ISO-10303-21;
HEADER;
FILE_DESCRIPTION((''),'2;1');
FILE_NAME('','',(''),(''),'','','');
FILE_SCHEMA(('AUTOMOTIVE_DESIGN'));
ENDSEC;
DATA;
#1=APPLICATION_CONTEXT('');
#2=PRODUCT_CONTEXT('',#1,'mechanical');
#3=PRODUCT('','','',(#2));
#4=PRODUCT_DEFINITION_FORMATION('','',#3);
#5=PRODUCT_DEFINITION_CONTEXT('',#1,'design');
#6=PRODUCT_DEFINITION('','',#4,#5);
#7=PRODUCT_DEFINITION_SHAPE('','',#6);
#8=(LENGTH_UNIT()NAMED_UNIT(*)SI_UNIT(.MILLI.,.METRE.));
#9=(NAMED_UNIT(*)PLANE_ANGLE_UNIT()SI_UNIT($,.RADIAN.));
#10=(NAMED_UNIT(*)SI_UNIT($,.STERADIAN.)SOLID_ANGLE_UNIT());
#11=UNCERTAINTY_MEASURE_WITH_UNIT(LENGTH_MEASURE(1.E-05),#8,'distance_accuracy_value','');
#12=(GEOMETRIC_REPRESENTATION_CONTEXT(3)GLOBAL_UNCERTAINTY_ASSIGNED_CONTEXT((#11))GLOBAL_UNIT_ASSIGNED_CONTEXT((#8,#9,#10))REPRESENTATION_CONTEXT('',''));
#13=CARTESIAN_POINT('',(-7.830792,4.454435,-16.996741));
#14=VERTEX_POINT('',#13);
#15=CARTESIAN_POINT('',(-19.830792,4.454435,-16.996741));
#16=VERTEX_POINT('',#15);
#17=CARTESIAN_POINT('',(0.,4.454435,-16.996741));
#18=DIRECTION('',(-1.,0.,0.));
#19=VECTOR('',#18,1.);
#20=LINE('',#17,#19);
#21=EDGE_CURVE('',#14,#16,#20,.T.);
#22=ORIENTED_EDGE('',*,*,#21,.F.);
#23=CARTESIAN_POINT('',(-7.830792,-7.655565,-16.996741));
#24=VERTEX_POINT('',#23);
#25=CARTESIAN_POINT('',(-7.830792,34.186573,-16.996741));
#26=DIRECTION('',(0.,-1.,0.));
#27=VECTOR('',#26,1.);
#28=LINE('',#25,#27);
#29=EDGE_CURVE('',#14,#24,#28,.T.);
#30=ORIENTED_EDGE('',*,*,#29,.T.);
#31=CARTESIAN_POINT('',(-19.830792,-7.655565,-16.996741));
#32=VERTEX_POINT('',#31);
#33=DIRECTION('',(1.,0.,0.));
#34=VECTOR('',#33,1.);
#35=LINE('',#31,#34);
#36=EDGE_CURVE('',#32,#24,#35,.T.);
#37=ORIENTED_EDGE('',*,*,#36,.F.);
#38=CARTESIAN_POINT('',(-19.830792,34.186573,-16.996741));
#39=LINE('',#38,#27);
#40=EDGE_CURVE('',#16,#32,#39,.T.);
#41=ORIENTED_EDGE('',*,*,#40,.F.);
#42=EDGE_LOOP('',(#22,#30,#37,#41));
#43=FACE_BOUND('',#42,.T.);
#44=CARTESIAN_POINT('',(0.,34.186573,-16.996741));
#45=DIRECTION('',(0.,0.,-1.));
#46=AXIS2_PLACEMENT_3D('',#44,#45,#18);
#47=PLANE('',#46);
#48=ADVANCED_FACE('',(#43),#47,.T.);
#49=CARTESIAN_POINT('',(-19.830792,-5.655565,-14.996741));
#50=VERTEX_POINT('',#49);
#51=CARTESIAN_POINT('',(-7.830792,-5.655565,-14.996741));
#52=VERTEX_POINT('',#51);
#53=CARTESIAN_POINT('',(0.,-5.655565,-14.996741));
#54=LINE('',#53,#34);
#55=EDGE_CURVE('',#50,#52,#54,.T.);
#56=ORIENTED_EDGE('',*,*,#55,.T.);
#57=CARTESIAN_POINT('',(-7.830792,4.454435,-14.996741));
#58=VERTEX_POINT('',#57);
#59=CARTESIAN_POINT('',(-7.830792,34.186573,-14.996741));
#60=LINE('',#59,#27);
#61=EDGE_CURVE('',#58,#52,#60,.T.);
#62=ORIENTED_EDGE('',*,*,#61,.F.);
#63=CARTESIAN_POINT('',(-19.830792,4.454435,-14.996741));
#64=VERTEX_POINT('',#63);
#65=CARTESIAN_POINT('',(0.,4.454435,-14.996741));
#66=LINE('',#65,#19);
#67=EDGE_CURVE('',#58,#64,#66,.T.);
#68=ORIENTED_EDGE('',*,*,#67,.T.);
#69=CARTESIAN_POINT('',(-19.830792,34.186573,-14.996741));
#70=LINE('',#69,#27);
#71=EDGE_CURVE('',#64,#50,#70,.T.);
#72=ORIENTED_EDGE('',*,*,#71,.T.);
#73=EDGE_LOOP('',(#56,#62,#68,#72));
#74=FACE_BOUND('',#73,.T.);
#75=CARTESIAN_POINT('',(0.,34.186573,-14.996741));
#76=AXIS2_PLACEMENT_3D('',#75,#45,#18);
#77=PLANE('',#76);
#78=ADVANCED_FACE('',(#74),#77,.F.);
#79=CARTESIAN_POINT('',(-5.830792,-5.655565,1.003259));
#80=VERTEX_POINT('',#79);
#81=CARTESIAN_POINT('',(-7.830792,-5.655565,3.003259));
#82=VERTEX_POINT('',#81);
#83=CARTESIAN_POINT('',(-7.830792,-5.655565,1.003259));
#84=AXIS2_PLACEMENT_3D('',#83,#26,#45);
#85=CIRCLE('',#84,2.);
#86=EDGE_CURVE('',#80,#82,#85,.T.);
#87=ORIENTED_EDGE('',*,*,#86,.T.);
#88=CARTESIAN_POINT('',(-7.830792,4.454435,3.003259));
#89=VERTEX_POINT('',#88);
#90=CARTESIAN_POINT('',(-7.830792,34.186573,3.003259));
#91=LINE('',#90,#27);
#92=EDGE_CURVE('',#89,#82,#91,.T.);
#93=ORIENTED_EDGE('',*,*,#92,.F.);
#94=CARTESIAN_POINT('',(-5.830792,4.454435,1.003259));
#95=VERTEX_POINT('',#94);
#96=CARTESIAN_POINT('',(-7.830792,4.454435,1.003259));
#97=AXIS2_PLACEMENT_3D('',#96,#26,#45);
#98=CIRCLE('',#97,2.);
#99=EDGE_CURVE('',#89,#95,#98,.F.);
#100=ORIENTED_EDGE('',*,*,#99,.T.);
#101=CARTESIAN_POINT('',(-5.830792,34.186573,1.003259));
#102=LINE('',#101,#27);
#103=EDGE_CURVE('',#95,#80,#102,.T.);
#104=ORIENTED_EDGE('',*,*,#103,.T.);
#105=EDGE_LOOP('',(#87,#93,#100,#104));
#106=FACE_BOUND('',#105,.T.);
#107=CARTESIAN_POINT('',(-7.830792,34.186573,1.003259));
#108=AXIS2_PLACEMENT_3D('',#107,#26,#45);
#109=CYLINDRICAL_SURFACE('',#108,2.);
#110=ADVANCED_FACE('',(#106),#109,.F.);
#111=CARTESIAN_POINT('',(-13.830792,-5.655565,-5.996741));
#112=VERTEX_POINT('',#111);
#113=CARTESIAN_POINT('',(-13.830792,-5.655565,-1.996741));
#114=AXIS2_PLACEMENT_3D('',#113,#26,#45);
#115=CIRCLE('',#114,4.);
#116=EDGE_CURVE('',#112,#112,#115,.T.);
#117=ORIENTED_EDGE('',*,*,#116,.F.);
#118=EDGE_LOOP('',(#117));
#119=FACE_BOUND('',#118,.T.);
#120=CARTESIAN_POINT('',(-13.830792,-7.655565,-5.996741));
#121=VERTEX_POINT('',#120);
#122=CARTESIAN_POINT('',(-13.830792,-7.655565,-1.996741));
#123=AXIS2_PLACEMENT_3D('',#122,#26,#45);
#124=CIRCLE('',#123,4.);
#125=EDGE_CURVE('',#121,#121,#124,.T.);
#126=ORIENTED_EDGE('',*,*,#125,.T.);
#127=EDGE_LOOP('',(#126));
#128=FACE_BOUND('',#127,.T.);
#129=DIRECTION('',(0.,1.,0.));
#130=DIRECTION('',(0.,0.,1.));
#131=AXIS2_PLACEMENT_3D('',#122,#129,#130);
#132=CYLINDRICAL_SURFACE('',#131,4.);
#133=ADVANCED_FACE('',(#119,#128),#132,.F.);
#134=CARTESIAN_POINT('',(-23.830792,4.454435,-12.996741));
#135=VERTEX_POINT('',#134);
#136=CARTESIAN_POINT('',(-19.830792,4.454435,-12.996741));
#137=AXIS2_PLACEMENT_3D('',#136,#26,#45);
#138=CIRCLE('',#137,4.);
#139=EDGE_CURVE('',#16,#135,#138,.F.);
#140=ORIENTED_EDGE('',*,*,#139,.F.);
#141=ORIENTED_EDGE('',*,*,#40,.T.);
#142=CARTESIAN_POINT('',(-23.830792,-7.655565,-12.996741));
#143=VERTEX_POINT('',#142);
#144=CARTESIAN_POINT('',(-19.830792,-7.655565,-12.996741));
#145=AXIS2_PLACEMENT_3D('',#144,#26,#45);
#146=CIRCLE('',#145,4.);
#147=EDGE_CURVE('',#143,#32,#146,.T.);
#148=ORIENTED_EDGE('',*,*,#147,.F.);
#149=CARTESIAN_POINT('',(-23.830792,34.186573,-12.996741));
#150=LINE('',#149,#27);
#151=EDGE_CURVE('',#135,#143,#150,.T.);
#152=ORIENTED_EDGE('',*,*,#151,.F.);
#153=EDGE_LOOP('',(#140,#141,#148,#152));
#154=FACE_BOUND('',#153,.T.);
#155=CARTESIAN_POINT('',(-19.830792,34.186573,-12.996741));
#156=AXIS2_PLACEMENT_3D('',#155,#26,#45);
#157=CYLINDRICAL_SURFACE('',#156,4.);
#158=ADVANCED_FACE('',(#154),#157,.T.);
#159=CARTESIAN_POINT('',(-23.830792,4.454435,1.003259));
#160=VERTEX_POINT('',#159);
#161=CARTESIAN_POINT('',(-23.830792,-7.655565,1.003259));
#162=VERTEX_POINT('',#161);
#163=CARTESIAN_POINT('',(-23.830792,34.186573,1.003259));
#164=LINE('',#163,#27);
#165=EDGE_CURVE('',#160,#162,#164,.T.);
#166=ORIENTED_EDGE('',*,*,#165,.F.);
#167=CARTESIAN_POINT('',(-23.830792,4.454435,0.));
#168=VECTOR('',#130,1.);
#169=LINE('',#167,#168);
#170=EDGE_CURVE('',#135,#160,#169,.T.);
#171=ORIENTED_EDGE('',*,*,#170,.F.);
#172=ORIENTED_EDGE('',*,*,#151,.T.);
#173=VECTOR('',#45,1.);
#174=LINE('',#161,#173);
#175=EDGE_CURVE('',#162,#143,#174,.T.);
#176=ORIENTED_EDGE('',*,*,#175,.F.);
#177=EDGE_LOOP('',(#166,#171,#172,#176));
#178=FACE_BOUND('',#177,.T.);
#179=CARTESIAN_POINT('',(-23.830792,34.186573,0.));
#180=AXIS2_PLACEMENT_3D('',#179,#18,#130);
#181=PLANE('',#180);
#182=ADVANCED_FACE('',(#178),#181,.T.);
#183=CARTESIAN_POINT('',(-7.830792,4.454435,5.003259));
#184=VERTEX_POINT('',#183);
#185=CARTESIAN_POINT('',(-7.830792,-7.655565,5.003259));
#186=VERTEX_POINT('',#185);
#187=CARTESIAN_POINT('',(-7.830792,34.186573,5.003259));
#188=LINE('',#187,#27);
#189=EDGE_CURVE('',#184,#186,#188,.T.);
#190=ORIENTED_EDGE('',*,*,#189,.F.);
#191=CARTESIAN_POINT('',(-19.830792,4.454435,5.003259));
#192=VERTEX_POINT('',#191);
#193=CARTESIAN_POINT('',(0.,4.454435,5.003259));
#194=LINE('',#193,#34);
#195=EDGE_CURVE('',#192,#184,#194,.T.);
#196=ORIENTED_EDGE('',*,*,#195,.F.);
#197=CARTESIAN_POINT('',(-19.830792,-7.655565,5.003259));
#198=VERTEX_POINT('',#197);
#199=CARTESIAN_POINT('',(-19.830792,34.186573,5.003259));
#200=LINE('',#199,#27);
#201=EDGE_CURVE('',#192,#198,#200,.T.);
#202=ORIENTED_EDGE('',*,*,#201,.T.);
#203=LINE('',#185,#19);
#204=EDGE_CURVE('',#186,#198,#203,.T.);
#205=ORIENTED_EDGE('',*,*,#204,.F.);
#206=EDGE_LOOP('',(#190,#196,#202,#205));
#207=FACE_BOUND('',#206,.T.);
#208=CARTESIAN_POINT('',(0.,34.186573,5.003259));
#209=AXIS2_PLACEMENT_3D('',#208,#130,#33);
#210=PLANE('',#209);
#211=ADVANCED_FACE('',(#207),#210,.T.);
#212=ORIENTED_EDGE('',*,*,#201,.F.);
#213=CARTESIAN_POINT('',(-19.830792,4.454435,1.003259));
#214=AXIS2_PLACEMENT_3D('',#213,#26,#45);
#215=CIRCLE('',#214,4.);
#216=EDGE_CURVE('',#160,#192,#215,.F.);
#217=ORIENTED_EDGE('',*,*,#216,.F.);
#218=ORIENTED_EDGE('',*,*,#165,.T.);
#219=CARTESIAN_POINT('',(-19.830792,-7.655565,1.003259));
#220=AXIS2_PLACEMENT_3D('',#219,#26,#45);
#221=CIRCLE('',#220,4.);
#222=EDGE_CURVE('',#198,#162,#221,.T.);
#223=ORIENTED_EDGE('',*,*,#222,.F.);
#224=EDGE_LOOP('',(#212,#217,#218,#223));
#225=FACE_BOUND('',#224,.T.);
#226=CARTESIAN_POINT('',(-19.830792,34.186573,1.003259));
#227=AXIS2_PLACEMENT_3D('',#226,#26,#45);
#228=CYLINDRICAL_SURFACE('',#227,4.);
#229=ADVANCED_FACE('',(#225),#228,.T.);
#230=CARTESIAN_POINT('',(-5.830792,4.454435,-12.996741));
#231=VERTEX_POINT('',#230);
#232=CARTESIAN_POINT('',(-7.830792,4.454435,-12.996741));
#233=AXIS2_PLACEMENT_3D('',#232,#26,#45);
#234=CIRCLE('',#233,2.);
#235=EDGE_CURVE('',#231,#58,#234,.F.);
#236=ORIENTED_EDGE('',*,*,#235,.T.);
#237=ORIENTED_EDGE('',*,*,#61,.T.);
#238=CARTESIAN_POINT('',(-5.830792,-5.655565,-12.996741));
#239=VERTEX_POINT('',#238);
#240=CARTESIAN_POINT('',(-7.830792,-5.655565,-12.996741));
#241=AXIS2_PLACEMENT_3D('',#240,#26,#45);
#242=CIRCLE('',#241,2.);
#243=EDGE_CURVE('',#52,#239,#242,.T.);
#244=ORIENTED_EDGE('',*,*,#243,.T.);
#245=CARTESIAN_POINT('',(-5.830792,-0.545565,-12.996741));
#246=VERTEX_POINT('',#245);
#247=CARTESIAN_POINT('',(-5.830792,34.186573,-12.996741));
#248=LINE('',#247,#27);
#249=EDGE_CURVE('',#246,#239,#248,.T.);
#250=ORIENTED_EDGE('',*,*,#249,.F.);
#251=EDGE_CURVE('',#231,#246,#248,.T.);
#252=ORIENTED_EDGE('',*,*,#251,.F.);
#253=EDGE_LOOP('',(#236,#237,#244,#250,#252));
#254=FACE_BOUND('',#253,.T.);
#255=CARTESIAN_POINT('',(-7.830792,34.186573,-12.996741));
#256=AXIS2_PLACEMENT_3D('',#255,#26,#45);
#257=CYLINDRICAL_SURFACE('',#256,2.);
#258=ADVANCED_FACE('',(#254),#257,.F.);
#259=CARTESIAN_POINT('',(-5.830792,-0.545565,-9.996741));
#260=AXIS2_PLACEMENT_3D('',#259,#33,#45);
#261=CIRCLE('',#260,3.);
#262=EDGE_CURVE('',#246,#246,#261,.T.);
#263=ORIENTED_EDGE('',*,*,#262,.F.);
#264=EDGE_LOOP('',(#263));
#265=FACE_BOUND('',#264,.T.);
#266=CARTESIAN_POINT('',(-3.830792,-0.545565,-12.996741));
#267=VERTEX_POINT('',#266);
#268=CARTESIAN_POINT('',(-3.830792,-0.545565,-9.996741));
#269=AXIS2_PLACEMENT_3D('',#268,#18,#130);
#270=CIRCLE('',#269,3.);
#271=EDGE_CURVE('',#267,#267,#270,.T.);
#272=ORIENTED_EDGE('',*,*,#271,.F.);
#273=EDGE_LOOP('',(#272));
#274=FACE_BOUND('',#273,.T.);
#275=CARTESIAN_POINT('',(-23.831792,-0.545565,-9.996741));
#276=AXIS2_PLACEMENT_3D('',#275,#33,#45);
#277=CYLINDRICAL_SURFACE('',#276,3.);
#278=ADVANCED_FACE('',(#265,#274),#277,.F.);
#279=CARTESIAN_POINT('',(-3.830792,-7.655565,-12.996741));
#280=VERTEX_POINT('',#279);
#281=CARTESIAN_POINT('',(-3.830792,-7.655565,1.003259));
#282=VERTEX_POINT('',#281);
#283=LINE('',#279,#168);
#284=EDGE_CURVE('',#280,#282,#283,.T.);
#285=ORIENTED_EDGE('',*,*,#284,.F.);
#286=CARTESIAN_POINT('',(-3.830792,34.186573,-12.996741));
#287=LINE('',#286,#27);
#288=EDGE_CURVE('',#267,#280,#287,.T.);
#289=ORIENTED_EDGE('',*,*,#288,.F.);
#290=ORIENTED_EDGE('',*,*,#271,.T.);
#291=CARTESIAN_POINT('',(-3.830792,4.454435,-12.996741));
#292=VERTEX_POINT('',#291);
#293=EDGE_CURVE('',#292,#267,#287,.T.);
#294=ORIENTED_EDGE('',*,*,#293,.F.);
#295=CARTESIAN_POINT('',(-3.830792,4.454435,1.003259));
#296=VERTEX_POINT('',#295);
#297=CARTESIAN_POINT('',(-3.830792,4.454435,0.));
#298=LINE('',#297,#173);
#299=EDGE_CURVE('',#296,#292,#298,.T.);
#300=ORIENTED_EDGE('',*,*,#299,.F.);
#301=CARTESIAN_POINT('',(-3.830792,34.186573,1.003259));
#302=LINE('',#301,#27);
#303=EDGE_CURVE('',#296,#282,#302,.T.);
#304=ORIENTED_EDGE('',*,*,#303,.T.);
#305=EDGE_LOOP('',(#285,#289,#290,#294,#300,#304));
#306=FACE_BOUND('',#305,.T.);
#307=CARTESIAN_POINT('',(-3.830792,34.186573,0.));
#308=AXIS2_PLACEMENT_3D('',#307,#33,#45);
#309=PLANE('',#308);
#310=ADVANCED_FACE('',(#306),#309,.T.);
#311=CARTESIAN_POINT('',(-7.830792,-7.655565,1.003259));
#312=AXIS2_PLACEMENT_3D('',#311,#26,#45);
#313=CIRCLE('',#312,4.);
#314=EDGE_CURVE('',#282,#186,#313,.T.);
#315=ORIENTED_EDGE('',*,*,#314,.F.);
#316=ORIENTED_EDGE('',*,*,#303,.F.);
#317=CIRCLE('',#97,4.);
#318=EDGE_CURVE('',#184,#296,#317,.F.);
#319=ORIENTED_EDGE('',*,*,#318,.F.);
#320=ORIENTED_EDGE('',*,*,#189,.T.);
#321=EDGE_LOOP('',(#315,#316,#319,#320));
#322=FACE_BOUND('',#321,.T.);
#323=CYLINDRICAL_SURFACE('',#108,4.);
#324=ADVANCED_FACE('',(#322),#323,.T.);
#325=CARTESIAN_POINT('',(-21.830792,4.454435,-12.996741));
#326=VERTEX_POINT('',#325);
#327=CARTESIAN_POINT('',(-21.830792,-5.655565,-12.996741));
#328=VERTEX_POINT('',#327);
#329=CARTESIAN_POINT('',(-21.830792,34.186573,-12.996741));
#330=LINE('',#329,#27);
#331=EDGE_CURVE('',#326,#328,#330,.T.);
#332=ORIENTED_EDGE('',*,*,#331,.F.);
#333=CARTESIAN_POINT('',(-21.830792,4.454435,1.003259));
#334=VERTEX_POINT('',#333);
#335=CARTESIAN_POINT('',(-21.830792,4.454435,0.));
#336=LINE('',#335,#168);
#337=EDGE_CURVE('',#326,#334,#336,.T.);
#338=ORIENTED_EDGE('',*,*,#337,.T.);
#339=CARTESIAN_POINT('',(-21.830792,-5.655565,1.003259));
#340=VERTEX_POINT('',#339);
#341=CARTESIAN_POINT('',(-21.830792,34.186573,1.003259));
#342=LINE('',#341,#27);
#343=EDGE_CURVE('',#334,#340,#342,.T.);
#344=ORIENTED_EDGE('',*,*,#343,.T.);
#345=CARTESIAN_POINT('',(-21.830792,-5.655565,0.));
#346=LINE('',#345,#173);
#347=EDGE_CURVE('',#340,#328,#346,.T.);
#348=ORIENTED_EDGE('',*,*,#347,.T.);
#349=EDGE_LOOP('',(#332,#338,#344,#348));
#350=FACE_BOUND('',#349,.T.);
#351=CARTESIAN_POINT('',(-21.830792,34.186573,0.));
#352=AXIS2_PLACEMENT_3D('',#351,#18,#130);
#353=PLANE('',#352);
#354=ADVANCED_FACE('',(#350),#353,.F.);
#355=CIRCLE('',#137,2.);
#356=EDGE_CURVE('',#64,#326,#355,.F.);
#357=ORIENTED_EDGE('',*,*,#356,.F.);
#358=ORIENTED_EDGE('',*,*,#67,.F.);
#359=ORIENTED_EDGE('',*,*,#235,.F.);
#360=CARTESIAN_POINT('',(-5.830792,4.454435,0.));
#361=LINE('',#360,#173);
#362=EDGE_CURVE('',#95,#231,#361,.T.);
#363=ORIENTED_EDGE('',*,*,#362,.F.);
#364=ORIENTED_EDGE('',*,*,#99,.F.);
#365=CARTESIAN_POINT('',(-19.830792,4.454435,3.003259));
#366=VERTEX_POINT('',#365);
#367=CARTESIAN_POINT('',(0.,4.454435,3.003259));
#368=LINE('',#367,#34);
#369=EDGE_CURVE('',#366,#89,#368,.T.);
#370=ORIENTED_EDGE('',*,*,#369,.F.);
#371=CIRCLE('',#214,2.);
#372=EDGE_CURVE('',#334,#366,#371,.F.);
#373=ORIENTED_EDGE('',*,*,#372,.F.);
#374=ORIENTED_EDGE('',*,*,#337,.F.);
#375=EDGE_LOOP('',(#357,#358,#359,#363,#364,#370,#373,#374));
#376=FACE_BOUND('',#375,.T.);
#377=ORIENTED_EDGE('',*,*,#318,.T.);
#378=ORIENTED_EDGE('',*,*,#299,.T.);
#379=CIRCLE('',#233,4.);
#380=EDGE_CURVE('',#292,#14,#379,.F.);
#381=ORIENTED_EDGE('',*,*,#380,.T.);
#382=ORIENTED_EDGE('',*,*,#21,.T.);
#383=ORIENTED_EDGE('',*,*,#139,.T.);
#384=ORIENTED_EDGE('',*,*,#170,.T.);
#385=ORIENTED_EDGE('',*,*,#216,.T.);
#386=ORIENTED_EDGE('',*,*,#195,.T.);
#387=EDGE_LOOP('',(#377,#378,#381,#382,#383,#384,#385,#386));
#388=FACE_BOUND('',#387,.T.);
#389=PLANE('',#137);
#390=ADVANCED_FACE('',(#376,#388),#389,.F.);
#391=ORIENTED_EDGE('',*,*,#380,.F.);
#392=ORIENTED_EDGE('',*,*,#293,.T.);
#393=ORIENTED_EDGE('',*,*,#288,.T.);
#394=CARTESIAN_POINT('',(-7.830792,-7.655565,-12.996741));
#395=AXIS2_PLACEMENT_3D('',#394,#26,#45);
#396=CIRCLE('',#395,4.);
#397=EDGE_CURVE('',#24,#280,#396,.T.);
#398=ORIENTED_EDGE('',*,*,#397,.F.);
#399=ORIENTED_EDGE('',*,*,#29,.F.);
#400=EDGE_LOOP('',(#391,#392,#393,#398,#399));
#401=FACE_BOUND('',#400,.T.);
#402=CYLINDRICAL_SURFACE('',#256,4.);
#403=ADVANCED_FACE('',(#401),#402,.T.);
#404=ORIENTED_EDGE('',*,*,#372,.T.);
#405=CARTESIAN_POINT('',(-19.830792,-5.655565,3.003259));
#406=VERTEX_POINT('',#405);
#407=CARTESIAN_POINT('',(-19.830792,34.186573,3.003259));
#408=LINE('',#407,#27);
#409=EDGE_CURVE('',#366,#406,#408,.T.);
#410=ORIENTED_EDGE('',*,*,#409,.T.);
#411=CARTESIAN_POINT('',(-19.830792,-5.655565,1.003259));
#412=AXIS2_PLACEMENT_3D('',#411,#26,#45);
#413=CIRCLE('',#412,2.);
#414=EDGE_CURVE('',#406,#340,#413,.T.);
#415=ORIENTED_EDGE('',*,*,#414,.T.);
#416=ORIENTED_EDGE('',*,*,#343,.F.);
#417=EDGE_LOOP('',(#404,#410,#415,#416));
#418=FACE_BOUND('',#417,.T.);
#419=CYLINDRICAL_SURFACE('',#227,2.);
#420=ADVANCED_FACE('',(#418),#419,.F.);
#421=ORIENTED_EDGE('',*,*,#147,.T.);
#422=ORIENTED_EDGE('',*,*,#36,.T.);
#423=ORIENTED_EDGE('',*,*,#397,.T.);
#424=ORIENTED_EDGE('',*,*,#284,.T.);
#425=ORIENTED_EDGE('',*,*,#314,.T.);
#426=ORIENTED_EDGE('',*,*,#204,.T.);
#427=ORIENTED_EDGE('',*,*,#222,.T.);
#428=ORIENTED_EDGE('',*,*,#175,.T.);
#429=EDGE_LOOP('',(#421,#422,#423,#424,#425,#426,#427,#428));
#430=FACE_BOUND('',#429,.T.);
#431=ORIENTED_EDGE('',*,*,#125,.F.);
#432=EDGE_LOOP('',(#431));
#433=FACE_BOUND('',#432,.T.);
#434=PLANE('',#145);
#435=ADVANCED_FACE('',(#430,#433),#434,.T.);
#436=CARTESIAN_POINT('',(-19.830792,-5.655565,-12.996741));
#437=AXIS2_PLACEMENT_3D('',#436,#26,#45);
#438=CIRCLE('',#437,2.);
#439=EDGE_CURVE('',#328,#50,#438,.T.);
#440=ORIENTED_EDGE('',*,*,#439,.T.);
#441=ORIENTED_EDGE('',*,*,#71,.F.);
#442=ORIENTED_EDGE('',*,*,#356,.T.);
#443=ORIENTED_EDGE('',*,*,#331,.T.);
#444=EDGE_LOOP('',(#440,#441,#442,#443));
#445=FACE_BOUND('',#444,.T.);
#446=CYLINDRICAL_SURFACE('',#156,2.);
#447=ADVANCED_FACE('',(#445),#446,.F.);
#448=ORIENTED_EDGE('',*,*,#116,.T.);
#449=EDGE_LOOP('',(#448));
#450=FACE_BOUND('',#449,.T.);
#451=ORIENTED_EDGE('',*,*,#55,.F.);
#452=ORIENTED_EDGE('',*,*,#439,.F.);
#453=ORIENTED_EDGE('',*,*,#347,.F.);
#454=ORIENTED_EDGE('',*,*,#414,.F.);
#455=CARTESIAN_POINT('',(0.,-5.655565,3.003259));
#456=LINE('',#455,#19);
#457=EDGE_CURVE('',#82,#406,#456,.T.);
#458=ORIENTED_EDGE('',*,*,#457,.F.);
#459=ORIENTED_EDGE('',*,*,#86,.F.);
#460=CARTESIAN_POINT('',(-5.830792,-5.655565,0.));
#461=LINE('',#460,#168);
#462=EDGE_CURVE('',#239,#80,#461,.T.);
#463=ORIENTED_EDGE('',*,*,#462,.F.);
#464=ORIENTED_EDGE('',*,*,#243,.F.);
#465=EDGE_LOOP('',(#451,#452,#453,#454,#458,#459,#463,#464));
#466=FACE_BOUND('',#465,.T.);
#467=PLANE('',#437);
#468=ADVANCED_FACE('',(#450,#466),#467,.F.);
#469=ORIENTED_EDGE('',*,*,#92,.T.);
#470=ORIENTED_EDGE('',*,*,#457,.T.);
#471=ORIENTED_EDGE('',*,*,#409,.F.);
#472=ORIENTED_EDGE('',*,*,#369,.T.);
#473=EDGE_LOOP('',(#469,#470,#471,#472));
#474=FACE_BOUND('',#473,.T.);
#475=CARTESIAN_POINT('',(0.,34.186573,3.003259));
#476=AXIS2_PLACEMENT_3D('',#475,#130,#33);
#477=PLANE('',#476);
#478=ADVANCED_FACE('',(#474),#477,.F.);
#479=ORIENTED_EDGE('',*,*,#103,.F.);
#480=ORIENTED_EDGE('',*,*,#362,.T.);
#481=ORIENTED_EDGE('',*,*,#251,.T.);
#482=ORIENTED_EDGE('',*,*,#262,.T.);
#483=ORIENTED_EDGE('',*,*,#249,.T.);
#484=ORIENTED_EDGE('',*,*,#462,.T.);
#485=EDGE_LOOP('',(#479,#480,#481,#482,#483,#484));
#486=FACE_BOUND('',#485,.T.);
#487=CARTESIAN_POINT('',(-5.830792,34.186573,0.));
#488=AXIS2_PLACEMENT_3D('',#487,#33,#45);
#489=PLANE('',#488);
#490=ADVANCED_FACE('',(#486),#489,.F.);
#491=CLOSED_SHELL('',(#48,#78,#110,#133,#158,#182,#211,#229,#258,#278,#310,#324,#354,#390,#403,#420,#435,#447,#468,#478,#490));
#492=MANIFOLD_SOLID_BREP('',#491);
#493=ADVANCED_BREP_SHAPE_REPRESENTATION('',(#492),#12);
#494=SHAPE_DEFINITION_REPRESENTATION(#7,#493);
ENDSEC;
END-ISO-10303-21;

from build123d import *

# Parameters (mm, degrees)
BOSS_EXTRUDE1_DEPTH = 10.11
SKETCH1_3_R         = 4
BOSS_EXTRUDE2_DEPTH = 2
CUT_EXTRUDE1_REACH  = 22
SKETCH3_R           = 3


with BuildPart() as part:
    # Sketch1 → Boss-Extrude1 (new body)
    with BuildSketch(Plane.XZ.offset(5.655564884)):
        with BuildLine():
            Line((-3.830791813, -12.996740626), (-3.830791813, 1.003259374))
            ThreePointArc((-3.830791813, 1.003259374), (-5.002364688, 3.831686499), (-7.830791813, 5.003259374))
            Line((-7.830791813, 5.003259374), (-19.830791813, 5.003259374))
            ThreePointArc((-19.830791813, 5.003259374), (-22.659218938, 3.831686499), (-23.830791813, 1.003259374))
            Line((-23.830791813, 1.003259374), (-23.830791813, -12.996740626))
            ThreePointArc((-23.830791813, -12.996740626), (-22.659218938, -15.825167751), (-19.830791813, -16.996740626))
            Line((-19.830791813, -16.996740626), (-7.830791813, -16.996740626))
            ThreePointArc((-7.830791813, -16.996740626), (-5.002364688, -15.825167751), (-3.830791813, -12.996740626))
        make_face()
        with BuildLine():
            ThreePointArc((-21.830791813, -12.996740626), (-21.245005376, -14.410954188), (-19.830791813, -14.996740626))
            Line((-19.830791813, -14.996740626), (-7.830791813, -14.996740626))
            ThreePointArc((-7.830791813, -14.996740626), (-6.416578251, -14.410954188), (-5.830791813, -12.996740626))
            Line((-5.830791813, -12.996740626), (-5.830791813, 1.003259374))
            ThreePointArc((-5.830791813, 1.003259374), (-6.416578251, 2.417472937), (-7.830791813, 3.003259374))
            Line((-7.830791813, 3.003259374), (-19.830791813, 3.003259374))
            ThreePointArc((-19.830791813, 3.003259374), (-21.245005376, 2.417472937), (-21.830791813, 1.003259374))
            Line((-21.830791813, 1.003259374), (-21.830791813, -12.996740626))
        make_face(mode=Mode.SUBTRACT)
    extrude(amount=-BOSS_EXTRUDE1_DEPTH)

    # Sketch1_3 → Boss-Extrude2 (add)
    with BuildSketch(Plane.XZ.offset(5.655564884)):
        with BuildLine():
            Line((-7.830791813, 5.003259374), (-19.830791813, 5.003259374))
            ThreePointArc((-19.830791813, 5.003259374), (-22.659218938, 3.831686499), (-23.830791813, 1.003259374))
            Line((-23.830791813, 1.003259374), (-23.830791813, -12.996740626))
            ThreePointArc((-23.830791813, -12.996740626), (-22.659218938, -15.825167751), (-19.830791813, -16.996740626))
            Line((-19.830791813, -16.996740626), (-7.830791813, -16.996740626))
            ThreePointArc((-7.830791813, -16.996740626), (-5.002364688, -15.825167751), (-3.830791813, -12.996740626))
            Line((-3.830791813, -12.996740626), (-3.830791813, 1.003259374))
            ThreePointArc((-3.830791813, 1.003259374), (-5.002364688, 3.831686499), (-7.830791813, 5.003259374))
        make_face()
        with Locations((-13.830791813, -1.996740626)):
            Circle(SKETCH1_3_R, mode=Mode.SUBTRACT)
    extrude(amount=BOSS_EXTRUDE2_DEPTH)

    # Sketch3 → Cut-Extrude1 (cut, up to next)
    with BuildSketch(Plane.ZY.offset(3.830791813), mode=Mode.PRIVATE) as cut_extrude1_sk1:
        with Locations((-9.996740626, -0.545564884)):
            Circle(SKETCH3_R)
    cut_extrude1_tool1 = extrude(cut_extrude1_sk1.sketch, amount=CUT_EXTRUDE1_REACH, mode=Mode.PRIVATE) & part.part
    add(cut_extrude1_tool1.solids().sort_by_distance((-3.830792, -0.545565, -9.996741))[0], mode=Mode.SUBTRACT)


solid = part.part
